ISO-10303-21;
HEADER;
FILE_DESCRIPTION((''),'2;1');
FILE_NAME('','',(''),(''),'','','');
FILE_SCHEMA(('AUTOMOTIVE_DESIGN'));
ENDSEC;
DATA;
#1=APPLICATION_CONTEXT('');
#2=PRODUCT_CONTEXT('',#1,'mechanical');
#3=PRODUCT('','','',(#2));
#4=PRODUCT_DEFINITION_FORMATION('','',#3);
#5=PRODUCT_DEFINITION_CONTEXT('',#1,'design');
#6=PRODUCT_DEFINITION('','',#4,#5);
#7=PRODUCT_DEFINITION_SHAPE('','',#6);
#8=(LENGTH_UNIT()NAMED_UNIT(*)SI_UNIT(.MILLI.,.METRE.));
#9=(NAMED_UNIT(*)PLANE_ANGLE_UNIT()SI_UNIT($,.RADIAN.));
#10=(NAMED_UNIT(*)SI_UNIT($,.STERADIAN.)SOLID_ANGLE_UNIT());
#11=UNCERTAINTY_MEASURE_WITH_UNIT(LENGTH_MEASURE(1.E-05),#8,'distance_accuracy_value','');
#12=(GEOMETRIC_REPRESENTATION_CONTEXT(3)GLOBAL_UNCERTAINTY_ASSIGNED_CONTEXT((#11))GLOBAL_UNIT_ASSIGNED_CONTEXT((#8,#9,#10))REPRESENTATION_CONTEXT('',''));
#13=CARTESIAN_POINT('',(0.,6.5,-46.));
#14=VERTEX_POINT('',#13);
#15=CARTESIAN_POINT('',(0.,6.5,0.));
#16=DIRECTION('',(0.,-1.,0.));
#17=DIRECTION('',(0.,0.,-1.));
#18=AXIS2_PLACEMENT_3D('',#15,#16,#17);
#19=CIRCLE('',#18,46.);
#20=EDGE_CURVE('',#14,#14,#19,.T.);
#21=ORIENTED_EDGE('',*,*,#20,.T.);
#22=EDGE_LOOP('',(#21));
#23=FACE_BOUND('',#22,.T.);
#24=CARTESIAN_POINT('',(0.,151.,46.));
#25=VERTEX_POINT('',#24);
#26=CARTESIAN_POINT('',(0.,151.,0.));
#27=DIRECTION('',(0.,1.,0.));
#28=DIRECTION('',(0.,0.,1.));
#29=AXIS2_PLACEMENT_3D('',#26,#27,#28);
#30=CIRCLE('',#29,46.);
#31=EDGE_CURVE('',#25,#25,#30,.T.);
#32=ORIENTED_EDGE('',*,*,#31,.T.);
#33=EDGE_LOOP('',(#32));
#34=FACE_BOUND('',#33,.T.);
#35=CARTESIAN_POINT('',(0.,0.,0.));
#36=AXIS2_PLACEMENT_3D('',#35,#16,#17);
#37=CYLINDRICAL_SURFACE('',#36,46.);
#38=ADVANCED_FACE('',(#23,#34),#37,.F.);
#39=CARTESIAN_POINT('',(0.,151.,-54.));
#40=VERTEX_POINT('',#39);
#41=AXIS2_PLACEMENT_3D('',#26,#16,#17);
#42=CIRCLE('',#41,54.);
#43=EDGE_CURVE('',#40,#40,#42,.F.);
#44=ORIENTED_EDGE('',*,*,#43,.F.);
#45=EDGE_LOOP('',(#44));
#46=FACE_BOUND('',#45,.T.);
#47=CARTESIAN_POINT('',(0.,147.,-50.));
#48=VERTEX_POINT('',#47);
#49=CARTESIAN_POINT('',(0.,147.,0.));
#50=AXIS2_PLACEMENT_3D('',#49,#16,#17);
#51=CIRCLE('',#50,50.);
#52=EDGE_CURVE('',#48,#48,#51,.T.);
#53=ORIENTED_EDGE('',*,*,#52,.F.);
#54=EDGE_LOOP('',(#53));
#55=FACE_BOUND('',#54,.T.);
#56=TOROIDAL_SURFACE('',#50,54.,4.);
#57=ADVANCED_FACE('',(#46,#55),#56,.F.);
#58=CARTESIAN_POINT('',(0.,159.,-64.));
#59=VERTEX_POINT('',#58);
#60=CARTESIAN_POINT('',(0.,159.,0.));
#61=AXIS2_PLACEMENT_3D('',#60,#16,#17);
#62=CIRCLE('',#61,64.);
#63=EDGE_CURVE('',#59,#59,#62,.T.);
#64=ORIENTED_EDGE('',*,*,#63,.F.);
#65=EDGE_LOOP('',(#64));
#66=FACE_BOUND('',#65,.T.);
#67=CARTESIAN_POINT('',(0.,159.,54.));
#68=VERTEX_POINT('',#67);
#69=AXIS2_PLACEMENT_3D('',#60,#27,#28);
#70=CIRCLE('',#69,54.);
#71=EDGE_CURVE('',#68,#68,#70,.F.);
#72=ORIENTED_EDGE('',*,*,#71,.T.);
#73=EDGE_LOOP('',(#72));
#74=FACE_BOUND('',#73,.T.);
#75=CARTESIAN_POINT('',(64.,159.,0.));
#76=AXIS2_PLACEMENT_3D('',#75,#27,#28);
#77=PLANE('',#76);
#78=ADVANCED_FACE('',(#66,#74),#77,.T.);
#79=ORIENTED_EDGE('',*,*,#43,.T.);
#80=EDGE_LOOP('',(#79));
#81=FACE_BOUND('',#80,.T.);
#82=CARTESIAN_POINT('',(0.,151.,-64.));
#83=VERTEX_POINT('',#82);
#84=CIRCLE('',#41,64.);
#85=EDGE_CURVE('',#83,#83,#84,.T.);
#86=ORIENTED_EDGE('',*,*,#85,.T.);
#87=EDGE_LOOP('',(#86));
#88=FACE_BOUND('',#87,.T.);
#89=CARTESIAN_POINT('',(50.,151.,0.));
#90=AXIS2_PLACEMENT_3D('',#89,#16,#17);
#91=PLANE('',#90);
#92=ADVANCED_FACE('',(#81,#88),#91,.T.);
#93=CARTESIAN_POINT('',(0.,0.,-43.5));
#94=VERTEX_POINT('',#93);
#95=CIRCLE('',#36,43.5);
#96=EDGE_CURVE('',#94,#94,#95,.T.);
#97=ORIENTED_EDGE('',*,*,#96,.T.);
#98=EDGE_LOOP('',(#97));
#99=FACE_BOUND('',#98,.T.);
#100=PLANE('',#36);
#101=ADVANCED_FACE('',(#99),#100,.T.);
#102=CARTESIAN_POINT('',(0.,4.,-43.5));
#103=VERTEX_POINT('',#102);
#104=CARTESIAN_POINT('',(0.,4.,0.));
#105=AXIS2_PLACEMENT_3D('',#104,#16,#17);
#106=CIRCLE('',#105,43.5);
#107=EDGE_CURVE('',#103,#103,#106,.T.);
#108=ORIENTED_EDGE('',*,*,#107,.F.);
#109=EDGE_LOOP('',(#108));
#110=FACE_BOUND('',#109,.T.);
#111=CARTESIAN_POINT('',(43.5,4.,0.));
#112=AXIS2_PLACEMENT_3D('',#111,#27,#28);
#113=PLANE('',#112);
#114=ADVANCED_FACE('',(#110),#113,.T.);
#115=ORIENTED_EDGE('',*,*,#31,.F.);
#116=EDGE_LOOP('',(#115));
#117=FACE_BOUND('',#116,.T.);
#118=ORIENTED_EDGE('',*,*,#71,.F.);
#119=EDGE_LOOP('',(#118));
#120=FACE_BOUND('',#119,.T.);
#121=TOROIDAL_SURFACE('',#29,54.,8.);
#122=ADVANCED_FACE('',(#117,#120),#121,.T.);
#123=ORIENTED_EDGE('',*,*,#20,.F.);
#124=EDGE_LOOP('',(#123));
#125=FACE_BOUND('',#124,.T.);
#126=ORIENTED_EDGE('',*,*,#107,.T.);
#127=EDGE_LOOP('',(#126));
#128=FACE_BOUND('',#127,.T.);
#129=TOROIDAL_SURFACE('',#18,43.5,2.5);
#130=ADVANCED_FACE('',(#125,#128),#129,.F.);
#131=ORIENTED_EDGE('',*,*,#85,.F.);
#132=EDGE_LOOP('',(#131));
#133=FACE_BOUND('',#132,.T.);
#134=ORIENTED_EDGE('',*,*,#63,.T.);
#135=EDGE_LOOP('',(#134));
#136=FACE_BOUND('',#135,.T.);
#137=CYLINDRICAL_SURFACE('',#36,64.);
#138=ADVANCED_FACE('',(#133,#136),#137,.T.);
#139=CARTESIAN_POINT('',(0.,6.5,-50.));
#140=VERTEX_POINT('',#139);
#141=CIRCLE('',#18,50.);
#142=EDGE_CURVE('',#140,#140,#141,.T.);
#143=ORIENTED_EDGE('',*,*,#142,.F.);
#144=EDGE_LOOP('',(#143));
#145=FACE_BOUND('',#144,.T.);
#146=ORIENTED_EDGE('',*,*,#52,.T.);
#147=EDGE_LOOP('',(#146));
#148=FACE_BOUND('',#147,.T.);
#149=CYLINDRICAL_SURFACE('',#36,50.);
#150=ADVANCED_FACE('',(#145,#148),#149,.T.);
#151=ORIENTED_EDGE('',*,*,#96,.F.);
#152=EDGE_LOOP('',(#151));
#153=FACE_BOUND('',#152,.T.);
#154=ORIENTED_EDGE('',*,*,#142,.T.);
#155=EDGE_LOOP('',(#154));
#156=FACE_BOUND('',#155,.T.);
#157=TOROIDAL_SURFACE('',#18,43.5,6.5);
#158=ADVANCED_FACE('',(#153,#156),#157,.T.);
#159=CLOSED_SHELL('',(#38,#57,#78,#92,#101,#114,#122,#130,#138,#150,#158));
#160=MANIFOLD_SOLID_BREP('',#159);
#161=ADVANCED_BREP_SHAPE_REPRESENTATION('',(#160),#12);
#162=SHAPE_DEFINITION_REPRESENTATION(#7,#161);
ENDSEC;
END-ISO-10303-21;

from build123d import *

# Parameters (mm, degrees)
FILLET1_R = 4
FILLET2_R = 8


with BuildPart() as part:
    # Sketch1 → Revolve1 (revolve)
    with BuildSketch(Plane.XY, mode=Mode.PRIVATE) as revolve1_sk:
        with BuildLine():
            Line((50, 151), (50, 6.5))
            ThreePointArc((50, 6.5), (48.096194078, 1.903805922), (43.5, 0))
            Line((43.5, 0), (0, 0))
            Line((0, 0), (0, 4))
            Line((0, 4), (43.5, 4))
            ThreePointArc((43.5, 4), (45.267766953, 4.732233047), (46, 6.5))
            Line((46, 6.5), (46, 159))
            Line((46, 159), (64, 159))
            Line((64, 159), (64, 151))
            Line((64, 151), (50, 151))
        make_face()
    revolve(revolve1_sk.sketch.rotate(Axis((0, 0, 0), (0, 1, 0)), 90), axis=Axis((0, 0, 0), (0, 1, 0)))

    # Fillet1
    fillet1_edges = [part.edges().sort_by_distance(p)[0] for p in [
        (0, 151, 50),
    ]]
    fillet(fillet1_edges, radius=FILLET1_R)

    # Fillet2
    fillet2_edges = [part.edges().sort_by_distance(p)[0] for p in [
        (0, 159, 46),
    ]]
    fillet(fillet2_edges, radius=FILLET2_R)


solid = part.part
